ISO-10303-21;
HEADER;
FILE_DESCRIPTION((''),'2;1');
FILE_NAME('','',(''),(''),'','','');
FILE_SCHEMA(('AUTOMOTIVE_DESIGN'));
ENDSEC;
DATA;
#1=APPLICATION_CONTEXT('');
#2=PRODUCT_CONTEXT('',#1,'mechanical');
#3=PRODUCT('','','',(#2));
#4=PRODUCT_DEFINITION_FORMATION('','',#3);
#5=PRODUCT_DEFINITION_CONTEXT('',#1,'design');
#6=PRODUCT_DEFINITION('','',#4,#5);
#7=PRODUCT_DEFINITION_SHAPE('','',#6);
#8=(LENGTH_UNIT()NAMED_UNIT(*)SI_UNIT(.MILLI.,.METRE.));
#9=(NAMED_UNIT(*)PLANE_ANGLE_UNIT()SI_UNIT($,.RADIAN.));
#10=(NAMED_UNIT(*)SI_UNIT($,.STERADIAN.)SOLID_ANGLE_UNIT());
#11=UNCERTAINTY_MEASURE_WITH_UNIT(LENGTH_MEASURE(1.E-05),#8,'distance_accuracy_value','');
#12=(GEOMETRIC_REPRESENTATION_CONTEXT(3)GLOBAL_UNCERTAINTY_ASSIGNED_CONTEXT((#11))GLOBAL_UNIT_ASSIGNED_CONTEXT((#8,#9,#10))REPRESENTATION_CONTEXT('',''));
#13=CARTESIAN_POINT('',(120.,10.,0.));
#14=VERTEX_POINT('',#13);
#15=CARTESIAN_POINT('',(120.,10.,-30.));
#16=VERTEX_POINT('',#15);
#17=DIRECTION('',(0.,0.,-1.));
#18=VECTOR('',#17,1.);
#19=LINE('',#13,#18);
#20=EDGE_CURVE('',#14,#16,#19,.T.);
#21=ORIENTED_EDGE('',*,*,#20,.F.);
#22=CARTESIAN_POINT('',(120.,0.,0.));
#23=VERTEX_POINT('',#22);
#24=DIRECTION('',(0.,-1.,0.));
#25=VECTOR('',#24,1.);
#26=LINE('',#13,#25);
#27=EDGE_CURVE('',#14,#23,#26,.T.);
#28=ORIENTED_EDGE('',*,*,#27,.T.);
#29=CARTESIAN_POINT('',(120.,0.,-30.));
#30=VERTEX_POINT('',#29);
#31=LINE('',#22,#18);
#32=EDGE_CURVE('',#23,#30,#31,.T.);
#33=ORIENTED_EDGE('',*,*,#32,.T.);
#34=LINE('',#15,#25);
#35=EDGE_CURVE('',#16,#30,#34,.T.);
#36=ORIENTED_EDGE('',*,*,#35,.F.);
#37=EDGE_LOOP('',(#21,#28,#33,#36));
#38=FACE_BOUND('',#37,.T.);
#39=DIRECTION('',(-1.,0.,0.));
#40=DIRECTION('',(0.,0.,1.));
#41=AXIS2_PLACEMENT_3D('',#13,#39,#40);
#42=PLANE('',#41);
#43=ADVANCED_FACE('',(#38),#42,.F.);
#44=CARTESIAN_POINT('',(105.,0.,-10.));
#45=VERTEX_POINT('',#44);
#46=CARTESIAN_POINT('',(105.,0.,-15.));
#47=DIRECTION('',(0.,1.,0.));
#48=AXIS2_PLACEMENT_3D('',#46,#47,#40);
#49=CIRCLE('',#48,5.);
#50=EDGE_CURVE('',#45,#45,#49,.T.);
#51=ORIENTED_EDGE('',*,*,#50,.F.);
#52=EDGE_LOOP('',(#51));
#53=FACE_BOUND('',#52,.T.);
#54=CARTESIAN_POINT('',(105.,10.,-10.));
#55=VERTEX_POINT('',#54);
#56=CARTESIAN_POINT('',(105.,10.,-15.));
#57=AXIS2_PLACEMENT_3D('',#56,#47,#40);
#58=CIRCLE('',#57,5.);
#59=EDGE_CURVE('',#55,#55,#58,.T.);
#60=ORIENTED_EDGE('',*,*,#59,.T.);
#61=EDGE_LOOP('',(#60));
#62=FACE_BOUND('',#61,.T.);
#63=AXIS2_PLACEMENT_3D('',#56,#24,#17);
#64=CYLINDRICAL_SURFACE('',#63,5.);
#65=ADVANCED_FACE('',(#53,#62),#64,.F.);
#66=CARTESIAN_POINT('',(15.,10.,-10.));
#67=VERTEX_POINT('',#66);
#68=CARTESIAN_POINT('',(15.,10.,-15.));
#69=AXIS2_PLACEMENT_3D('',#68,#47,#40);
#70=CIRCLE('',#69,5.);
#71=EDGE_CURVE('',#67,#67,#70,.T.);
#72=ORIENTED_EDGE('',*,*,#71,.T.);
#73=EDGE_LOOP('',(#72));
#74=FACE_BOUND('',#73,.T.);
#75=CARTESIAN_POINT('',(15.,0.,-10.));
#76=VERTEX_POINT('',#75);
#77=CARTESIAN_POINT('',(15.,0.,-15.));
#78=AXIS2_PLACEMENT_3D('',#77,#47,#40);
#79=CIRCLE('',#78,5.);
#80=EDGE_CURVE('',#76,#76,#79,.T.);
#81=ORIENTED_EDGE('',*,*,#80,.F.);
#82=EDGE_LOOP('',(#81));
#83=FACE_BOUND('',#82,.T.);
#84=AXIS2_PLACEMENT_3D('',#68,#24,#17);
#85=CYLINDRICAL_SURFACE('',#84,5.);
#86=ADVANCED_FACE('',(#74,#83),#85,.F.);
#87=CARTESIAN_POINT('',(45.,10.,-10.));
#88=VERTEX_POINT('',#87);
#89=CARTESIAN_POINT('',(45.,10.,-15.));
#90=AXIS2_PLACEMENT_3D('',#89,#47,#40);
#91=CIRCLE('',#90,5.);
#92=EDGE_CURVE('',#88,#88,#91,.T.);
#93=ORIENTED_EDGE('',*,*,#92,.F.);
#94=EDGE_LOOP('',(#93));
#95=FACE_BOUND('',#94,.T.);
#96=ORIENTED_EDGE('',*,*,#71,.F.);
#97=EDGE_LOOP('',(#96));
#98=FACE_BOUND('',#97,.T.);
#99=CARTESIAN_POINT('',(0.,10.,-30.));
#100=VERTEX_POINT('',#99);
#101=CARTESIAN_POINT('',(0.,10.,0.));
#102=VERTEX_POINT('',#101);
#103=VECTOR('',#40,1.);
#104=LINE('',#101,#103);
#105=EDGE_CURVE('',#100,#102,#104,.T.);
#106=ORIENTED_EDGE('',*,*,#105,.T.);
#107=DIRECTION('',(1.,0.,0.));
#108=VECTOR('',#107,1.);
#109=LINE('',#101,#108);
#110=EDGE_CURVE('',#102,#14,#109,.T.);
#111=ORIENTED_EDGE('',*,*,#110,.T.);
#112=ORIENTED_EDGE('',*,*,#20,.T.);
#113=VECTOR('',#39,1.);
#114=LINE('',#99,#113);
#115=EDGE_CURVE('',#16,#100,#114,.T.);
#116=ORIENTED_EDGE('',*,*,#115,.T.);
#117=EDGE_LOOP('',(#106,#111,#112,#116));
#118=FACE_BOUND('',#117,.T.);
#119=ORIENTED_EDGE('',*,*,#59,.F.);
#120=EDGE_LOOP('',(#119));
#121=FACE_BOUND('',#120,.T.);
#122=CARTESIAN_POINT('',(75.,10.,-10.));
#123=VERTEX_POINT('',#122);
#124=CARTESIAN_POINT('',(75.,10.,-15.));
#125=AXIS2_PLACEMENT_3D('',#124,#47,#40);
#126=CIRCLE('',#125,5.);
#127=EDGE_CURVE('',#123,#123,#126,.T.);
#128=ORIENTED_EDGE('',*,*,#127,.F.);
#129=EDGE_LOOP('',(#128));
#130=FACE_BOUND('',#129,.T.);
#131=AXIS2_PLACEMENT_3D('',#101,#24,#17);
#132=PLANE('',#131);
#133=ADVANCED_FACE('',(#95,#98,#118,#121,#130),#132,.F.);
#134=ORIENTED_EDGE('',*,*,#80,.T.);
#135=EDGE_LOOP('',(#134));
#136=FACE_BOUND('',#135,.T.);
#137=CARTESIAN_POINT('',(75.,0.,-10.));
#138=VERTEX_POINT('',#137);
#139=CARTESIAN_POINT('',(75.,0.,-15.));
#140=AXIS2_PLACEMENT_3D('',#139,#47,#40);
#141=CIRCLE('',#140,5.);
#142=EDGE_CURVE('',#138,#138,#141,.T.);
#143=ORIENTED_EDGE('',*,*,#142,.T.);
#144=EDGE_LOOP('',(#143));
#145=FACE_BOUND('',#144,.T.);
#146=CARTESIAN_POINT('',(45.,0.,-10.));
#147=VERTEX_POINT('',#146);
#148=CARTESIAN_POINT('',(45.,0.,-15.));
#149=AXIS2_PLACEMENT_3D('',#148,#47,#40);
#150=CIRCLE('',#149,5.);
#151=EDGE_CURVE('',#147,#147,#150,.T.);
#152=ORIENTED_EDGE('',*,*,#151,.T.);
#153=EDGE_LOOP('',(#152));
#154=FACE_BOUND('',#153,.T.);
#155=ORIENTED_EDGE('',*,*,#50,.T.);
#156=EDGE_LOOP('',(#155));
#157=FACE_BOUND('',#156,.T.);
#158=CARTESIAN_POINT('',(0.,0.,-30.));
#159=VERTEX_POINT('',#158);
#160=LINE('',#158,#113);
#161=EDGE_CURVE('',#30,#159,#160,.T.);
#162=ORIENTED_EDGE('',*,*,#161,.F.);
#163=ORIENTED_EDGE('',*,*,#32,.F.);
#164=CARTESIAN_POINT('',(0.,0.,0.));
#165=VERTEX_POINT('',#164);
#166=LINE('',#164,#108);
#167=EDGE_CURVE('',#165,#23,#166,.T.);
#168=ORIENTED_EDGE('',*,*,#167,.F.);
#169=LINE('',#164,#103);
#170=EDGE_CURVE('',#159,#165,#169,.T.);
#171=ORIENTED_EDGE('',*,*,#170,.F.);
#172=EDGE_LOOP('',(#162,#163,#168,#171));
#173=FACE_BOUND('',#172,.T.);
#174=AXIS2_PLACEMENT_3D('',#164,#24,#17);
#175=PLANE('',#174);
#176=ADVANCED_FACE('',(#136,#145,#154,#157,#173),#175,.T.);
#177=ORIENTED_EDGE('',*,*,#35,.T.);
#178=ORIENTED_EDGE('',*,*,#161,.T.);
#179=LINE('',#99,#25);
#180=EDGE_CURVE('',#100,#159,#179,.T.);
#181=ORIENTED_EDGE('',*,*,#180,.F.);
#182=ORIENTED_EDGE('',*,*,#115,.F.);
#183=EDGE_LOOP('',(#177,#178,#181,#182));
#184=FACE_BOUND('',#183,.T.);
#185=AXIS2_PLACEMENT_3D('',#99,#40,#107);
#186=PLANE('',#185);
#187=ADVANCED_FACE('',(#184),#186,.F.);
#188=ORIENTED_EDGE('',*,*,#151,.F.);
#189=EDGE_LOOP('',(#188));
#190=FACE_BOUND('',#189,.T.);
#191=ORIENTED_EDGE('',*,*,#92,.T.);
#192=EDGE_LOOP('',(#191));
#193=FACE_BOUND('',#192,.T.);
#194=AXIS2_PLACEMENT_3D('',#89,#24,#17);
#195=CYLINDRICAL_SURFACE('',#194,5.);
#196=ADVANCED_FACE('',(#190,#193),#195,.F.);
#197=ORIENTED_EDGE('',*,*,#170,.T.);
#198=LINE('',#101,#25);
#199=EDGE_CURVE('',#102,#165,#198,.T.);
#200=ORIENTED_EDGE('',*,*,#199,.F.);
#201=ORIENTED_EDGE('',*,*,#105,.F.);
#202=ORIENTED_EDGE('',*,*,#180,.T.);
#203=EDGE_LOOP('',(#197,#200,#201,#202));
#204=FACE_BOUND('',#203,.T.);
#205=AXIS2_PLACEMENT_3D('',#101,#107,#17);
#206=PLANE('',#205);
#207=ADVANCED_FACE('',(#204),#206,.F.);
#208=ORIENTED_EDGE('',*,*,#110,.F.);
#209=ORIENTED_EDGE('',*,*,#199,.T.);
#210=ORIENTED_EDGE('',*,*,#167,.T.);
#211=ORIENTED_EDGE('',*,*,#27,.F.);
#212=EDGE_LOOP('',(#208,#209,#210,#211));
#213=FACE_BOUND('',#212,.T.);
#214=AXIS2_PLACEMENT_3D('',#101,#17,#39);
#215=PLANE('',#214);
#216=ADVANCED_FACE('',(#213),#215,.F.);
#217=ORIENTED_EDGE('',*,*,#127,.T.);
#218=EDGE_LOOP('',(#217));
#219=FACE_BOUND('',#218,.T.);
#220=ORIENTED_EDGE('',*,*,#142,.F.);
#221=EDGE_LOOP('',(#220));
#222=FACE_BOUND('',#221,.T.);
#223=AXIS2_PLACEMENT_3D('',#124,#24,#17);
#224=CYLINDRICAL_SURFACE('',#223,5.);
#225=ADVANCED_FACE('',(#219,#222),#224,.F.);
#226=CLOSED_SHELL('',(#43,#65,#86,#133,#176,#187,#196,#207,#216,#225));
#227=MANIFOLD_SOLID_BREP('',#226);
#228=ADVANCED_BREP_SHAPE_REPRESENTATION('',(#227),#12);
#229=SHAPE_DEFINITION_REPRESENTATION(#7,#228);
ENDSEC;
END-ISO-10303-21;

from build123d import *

# Parameters (mm, degrees)
SKETCH1_W           = 120
SKETCH1_H           = 30
SKETCH1_R           = 5
BOSS_EXTRUDE1_DEPTH = 10


with BuildPart() as part:
    # Sketch1 → Boss-Extrude1 (new body)
    with BuildSketch(Plane(origin=(0, 0, 0), x_dir=(1, 0, 0), z_dir=(0, 1, 0))):
        with Locations((60, 15)):
            Rectangle(SKETCH1_W, SKETCH1_H)
        with Locations((15, 15)):
            Circle(SKETCH1_R, mode=Mode.SUBTRACT)
        with Locations((45, 15)):
            Circle(SKETCH1_R, mode=Mode.SUBTRACT)
        with Locations((75, 15)):
            Circle(SKETCH1_R, mode=Mode.SUBTRACT)
        with Locations((105, 15)):
            Circle(SKETCH1_R, mode=Mode.SUBTRACT)
    extrude(amount=BOSS_EXTRUDE1_DEPTH)


solid = part.part
